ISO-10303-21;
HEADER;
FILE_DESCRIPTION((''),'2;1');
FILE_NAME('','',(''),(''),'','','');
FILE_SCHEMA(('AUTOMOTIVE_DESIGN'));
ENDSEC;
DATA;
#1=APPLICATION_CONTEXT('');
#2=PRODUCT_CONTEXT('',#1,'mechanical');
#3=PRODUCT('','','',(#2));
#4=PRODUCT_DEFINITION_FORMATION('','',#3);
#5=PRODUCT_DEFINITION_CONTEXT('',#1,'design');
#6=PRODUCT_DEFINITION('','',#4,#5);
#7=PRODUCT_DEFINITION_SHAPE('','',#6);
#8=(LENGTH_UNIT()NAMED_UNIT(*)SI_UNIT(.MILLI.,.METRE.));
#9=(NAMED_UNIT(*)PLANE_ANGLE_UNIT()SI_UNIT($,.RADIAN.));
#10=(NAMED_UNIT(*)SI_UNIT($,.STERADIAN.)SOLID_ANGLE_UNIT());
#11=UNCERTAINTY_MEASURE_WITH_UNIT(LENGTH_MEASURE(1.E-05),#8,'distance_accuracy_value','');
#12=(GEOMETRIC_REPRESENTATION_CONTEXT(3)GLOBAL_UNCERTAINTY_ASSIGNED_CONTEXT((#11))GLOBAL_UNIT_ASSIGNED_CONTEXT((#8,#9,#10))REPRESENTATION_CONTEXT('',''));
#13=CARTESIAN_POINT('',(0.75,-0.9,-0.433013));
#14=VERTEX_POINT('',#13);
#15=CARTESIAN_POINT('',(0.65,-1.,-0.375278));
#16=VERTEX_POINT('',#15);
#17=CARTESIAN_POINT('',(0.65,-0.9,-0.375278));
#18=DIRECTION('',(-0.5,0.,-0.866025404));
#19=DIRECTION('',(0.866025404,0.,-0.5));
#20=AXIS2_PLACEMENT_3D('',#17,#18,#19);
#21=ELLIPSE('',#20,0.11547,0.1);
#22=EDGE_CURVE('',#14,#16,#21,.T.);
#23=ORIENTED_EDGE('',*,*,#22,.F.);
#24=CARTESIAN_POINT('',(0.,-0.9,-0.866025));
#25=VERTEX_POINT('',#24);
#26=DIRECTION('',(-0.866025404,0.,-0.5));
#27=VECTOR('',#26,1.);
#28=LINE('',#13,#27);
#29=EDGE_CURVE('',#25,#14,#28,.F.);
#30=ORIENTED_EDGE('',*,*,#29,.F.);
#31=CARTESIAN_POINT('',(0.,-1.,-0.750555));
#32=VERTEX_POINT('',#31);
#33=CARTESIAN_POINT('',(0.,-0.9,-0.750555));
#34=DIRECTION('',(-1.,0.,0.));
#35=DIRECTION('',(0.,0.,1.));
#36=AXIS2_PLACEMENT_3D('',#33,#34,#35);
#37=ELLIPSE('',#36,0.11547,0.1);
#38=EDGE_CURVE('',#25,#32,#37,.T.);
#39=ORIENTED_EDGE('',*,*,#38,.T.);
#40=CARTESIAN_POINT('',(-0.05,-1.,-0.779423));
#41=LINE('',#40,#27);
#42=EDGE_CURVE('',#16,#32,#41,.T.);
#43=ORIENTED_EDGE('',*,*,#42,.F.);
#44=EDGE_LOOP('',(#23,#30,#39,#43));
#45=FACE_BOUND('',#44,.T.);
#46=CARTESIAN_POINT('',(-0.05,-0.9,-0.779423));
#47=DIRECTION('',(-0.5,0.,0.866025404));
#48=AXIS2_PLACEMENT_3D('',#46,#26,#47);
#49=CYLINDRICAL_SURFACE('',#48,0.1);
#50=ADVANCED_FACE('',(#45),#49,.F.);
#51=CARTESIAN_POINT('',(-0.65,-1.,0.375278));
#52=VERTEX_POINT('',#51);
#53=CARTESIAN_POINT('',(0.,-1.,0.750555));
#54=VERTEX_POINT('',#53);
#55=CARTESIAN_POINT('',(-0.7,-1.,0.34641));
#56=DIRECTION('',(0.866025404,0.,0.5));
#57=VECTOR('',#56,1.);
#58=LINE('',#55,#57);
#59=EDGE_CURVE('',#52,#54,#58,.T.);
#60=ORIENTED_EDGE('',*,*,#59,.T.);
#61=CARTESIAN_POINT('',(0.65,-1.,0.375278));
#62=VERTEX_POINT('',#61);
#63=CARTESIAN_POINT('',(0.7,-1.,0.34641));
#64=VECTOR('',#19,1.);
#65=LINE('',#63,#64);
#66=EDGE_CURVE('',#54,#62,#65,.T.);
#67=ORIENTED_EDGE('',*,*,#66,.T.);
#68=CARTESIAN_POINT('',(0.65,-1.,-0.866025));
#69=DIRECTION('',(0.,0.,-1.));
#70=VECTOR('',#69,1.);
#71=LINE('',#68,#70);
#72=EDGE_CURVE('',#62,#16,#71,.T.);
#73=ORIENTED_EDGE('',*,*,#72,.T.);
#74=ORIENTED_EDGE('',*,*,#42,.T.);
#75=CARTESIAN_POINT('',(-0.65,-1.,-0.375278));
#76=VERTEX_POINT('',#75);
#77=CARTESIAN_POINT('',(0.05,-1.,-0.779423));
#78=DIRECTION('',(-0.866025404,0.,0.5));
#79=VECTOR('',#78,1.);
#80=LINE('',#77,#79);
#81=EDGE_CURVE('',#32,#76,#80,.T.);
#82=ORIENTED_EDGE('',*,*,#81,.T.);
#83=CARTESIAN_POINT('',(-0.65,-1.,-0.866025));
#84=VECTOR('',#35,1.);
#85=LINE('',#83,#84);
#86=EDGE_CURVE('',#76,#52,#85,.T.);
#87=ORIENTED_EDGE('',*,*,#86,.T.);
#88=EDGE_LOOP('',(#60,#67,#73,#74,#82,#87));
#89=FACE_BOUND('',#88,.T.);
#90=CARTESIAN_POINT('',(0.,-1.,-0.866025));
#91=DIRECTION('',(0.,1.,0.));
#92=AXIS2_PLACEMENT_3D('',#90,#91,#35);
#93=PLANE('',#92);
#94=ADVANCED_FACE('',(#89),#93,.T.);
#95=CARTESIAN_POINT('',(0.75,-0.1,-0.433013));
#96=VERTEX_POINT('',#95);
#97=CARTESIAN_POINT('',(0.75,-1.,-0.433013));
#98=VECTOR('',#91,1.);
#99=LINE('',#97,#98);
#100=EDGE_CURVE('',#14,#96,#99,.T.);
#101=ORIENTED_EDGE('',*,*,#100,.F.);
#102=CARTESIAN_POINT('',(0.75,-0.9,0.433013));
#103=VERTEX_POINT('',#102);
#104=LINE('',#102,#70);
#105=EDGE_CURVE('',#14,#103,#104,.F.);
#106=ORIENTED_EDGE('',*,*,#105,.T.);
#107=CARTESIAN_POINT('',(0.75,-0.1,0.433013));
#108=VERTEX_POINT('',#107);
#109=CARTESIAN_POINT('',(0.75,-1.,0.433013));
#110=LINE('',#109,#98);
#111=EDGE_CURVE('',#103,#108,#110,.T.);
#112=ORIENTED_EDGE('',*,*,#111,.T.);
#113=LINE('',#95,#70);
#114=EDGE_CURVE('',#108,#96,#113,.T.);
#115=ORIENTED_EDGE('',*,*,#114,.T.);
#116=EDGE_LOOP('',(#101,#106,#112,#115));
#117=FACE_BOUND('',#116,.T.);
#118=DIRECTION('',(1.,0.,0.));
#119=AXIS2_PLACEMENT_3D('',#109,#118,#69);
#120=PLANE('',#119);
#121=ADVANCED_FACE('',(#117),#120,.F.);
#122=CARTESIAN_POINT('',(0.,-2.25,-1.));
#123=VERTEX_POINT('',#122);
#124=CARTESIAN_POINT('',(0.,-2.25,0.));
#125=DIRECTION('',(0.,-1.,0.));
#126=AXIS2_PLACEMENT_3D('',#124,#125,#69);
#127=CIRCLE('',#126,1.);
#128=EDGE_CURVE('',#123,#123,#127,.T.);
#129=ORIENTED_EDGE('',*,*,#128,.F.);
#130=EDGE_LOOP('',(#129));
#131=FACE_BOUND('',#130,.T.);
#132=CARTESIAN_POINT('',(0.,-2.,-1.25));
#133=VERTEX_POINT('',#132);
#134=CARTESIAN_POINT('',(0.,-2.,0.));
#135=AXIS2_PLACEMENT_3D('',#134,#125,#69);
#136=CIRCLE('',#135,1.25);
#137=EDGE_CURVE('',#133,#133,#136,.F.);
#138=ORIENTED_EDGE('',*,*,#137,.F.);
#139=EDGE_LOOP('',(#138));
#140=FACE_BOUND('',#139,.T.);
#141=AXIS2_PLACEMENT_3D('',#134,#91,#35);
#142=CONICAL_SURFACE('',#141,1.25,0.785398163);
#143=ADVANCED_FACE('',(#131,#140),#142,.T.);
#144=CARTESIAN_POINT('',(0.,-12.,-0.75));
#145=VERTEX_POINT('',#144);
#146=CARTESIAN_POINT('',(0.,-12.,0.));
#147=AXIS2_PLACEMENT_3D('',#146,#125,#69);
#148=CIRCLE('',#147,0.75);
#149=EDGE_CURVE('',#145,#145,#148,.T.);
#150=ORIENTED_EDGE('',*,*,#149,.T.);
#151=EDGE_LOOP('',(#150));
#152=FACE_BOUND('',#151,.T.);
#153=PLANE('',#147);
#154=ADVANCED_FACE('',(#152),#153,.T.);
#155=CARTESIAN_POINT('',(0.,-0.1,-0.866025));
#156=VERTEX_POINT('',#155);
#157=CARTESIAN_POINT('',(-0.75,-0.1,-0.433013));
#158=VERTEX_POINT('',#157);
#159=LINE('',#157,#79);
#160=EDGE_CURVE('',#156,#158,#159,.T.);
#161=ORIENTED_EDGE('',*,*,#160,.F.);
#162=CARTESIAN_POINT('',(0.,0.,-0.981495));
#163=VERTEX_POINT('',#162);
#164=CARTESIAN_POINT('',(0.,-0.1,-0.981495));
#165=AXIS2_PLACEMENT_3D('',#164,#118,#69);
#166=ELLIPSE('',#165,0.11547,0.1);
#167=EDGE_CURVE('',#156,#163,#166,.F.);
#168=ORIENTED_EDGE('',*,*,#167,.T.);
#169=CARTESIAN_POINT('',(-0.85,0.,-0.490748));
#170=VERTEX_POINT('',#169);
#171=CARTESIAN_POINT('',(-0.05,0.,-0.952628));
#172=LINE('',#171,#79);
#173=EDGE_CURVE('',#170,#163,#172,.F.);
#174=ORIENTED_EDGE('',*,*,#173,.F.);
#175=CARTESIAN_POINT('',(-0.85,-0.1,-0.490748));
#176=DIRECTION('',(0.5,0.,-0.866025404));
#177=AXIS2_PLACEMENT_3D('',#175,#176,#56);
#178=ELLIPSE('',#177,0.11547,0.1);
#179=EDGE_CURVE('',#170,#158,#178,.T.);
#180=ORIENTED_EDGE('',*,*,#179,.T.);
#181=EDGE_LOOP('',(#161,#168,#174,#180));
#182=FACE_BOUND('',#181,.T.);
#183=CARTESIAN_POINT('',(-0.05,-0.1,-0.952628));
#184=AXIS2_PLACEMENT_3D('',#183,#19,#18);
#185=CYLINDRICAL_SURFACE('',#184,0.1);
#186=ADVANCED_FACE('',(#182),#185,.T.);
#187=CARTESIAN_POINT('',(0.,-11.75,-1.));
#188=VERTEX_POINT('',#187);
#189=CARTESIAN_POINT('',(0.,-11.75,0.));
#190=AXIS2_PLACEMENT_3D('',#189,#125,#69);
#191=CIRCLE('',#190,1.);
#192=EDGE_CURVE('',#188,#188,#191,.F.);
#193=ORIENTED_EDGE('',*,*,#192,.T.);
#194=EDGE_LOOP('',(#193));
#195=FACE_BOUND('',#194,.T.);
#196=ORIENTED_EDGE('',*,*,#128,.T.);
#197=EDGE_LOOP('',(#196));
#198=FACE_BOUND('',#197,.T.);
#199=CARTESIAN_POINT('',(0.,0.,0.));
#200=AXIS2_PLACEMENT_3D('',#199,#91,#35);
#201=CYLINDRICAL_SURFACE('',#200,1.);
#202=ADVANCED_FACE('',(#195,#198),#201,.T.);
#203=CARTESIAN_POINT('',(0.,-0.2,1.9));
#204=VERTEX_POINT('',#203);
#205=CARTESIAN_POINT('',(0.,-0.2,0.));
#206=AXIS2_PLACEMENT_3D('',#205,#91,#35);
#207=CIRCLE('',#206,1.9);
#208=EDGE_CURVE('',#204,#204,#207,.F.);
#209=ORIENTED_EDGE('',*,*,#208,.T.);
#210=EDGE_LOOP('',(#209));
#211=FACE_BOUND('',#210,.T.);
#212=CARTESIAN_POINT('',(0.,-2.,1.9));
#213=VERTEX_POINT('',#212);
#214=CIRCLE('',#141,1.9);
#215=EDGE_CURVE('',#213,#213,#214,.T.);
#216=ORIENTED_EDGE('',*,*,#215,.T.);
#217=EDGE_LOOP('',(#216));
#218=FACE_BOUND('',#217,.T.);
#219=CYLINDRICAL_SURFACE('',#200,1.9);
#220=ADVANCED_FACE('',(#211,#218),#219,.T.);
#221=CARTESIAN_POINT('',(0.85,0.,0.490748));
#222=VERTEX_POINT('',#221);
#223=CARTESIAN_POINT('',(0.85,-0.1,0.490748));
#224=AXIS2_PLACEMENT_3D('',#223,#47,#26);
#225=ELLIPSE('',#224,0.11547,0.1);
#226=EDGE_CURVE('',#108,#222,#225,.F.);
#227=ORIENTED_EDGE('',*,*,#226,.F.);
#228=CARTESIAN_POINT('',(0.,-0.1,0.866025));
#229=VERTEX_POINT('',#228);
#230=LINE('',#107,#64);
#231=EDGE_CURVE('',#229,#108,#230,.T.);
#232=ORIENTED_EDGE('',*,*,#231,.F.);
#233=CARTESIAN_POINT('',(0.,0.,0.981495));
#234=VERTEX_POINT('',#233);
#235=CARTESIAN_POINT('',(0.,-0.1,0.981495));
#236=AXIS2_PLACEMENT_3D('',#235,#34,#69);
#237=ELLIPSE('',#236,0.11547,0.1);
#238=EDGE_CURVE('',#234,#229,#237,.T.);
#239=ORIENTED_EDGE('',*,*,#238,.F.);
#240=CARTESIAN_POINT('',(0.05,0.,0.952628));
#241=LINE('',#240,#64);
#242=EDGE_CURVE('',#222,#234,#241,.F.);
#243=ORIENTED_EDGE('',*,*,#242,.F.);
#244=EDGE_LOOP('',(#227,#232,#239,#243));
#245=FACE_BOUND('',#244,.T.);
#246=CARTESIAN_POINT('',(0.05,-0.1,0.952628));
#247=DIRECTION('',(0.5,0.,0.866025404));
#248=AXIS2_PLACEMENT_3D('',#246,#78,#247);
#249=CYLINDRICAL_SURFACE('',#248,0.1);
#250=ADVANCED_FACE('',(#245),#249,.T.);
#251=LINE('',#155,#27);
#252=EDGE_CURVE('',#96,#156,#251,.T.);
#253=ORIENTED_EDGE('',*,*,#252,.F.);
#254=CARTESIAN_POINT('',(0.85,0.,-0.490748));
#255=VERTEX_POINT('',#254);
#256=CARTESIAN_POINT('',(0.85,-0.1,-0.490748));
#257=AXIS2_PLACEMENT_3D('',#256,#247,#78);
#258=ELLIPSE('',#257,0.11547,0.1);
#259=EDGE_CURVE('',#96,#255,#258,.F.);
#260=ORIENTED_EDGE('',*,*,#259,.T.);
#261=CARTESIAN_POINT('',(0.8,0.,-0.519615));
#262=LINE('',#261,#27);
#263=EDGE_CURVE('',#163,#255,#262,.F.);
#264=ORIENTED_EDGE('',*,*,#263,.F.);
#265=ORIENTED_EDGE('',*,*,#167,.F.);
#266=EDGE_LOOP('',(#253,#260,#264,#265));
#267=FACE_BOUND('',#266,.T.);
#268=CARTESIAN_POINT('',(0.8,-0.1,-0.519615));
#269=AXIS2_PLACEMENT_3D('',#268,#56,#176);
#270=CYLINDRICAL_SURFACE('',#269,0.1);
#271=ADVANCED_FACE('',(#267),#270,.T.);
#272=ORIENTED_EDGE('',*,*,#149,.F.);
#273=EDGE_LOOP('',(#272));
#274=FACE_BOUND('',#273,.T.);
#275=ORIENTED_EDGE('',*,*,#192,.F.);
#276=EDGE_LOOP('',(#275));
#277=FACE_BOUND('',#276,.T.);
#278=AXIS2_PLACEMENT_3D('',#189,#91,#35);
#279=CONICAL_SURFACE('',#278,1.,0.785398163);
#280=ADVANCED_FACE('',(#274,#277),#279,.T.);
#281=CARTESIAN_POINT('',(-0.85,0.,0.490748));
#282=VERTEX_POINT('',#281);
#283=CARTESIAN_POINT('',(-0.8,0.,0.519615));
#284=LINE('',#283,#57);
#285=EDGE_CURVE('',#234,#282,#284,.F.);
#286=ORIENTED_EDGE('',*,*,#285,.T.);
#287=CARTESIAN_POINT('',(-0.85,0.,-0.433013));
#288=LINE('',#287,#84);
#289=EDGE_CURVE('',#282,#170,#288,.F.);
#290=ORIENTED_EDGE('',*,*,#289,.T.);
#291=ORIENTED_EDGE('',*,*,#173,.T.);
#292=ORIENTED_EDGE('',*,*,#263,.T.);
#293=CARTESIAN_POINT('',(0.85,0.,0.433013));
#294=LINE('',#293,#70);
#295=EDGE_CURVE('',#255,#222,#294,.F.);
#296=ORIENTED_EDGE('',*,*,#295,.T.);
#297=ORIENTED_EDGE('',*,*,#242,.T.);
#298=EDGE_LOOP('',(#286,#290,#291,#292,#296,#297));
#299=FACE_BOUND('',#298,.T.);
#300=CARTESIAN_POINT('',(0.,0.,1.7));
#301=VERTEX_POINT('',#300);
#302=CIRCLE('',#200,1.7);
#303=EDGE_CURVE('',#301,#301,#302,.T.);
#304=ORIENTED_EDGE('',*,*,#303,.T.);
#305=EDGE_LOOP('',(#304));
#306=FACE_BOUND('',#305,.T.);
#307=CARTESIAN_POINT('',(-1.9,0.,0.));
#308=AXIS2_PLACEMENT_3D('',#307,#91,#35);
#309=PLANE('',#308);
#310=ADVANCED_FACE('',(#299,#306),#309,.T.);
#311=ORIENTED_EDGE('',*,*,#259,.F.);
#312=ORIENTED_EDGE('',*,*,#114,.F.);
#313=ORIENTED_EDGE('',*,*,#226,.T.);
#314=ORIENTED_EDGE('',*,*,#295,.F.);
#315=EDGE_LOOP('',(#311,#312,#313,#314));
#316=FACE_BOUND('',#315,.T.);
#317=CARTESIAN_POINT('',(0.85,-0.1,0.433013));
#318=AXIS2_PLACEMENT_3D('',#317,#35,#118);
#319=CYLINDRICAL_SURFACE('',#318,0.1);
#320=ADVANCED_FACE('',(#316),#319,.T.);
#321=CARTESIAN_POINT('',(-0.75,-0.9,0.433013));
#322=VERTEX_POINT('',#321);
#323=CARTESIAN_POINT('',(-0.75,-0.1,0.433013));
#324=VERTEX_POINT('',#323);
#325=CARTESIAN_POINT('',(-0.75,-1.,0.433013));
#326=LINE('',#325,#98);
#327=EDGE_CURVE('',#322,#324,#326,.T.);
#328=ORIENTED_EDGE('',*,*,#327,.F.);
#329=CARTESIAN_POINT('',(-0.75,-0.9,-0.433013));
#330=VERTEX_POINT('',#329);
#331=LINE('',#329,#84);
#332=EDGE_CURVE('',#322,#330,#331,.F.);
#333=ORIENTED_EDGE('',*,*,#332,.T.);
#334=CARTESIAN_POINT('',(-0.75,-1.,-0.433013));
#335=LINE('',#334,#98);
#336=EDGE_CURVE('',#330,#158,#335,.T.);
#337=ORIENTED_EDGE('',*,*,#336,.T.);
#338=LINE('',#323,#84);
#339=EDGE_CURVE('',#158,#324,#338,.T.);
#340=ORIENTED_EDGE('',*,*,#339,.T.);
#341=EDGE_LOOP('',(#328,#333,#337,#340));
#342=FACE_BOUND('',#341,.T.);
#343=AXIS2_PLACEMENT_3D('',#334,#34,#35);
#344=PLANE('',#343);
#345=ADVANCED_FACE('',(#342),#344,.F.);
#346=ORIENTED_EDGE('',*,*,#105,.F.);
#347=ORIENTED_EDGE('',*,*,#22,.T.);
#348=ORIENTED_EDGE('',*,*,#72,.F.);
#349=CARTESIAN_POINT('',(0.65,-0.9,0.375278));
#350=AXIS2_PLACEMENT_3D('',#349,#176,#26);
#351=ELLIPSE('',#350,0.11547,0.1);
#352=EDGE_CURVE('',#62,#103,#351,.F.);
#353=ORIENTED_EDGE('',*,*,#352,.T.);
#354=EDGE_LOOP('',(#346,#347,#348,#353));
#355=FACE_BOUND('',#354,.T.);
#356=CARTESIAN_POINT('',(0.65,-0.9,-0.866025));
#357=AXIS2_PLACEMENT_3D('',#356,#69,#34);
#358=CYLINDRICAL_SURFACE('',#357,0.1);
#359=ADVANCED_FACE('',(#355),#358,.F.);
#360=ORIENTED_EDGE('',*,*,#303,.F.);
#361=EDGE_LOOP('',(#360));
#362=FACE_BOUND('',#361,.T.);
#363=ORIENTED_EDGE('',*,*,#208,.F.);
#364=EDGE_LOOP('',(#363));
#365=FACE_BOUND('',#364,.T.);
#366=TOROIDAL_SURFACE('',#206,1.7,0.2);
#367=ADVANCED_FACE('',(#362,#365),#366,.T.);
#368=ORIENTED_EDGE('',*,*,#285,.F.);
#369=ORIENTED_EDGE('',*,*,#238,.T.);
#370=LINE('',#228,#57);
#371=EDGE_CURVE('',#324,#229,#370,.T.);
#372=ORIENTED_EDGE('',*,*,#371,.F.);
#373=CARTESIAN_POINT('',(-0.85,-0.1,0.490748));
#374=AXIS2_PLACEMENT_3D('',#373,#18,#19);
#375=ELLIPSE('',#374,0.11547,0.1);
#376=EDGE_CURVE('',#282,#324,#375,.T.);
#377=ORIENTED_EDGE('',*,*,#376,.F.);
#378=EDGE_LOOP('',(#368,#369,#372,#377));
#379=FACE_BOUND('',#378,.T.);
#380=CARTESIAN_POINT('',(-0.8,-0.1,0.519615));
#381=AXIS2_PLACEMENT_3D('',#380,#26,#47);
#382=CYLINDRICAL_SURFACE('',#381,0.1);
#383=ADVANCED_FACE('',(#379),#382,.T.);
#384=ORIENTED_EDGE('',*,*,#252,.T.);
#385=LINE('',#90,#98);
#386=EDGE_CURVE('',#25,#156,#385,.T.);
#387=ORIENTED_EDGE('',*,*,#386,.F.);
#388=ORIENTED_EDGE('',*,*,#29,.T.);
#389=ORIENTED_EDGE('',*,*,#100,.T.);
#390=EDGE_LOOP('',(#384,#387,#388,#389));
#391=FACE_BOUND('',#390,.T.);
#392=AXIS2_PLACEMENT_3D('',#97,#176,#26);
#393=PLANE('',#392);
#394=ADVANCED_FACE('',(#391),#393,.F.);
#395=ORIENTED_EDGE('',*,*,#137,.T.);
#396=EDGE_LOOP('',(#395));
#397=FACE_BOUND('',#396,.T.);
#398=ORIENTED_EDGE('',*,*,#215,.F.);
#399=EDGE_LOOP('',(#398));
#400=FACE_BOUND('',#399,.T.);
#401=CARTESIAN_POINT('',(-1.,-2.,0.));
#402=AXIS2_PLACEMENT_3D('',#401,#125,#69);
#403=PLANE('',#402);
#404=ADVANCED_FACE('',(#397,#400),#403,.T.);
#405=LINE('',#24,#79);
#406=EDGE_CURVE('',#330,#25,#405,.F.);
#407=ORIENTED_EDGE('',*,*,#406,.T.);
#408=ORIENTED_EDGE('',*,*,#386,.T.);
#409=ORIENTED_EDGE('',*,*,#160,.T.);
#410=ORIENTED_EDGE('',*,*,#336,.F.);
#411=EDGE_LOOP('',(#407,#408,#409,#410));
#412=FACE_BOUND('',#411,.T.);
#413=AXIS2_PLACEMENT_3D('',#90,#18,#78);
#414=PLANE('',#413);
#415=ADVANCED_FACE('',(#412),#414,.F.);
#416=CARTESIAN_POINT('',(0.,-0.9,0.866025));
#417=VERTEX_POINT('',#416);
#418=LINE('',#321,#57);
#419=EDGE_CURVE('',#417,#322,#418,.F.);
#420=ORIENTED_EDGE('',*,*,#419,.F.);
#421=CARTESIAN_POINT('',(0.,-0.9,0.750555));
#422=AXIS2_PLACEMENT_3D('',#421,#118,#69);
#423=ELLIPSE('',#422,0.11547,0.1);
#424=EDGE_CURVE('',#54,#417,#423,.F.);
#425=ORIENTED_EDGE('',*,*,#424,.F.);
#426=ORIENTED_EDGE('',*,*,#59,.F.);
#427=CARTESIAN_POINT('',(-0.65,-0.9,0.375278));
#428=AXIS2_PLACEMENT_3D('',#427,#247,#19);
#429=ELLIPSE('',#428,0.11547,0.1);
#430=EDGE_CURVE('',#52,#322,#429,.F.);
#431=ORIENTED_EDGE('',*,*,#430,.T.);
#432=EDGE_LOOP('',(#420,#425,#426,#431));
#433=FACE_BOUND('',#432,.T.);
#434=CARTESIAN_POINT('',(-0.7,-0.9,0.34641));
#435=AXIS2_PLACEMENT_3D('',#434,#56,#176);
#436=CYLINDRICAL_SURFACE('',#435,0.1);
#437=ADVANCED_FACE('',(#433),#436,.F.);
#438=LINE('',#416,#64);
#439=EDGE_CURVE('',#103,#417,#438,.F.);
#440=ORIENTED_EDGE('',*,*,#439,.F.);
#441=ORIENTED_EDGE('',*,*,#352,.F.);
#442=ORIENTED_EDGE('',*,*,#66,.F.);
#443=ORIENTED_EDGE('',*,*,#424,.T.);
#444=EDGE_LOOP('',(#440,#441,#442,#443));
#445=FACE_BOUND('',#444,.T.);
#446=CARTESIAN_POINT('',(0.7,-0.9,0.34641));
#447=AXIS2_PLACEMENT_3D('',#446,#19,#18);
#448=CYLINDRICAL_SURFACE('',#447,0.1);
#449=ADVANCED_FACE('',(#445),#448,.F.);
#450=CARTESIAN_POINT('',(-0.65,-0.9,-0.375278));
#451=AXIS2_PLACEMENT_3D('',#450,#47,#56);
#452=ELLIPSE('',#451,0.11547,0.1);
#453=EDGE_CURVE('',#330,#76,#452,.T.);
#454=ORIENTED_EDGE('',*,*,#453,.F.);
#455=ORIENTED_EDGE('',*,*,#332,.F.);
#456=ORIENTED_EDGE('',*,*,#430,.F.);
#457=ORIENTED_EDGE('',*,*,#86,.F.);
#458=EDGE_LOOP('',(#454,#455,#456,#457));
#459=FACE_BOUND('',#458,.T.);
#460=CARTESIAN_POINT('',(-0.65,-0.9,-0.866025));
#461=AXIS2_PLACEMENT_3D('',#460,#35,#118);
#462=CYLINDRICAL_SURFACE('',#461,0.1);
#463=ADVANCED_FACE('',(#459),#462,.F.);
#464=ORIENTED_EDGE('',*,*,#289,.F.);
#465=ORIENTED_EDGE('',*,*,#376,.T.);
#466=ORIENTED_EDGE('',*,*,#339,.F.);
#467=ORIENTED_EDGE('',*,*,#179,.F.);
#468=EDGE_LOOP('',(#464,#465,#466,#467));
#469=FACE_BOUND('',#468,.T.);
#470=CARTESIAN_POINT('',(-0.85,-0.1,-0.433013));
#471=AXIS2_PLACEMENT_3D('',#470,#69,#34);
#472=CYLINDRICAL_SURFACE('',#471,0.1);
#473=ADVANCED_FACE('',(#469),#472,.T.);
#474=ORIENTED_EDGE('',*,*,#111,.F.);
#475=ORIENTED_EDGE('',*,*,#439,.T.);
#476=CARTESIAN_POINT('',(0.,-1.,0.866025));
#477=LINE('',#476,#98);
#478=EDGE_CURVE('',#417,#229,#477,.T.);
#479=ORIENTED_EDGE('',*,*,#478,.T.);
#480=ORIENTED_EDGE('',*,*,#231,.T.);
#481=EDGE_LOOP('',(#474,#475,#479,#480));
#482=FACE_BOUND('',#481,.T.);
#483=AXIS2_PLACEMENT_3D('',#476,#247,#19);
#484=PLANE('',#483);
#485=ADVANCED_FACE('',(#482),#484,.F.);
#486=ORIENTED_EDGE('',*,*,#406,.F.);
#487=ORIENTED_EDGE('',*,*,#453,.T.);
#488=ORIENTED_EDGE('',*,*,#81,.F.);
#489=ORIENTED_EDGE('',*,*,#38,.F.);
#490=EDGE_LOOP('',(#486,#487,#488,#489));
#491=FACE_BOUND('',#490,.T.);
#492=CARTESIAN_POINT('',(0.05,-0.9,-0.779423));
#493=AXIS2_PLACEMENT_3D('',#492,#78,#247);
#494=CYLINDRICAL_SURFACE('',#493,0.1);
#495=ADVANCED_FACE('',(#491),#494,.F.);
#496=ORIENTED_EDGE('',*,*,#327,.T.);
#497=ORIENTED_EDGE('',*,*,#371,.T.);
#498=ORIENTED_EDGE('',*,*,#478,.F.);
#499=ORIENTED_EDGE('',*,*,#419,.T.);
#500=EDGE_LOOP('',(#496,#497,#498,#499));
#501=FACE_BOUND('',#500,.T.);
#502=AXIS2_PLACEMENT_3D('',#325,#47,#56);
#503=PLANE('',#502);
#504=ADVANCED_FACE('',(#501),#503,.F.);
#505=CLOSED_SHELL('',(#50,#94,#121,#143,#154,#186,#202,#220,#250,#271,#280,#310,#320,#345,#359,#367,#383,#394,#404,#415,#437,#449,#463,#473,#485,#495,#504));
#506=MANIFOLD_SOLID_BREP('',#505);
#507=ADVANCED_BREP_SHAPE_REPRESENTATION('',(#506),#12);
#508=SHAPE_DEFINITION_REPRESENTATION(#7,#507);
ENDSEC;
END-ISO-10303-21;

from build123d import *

# Parameters (mm, degrees)
CHAMFER1_SIZE      = 0.25
FILLET1_R          = 0.2
CUT_EXTRUDE1_DEPTH = 1
FILLET2_R          = 0.1


with BuildPart() as part:
    # Sketch1 → Revolve1 (revolve)
    with BuildSketch(Plane.XY, mode=Mode.PRIVATE) as revolve1_sk:
        Polygon((0, -12), (-1, -12), (-1, -2), (-1.9, -2), (-1.9, 0), (0, 0), align=None)
    revolve(revolve1_sk.sketch.rotate(Axis((0, 0, 0), (0, -1, 0)), 270), axis=Axis((0, 0, 0), (0, -1, 0)))

    # Chamfer1
    chamfer1_edges = [part.edges().sort_by_distance(p)[0] for p in [
        (0, -2, -1),
        (0, -12, -1),
    ]]
    chamfer(chamfer1_edges, length=CHAMFER1_SIZE)

    # Fillet1
    fillet1_edges = [part.edges().sort_by_distance(p)[0] for p in [
        (0, 0, -1.9),
    ]]
    fillet(fillet1_edges, radius=FILLET1_R)

    # Sketch2 → Cut-Extrude1 (cut)
    with BuildSketch(Plane(origin=(0, 0, 0), x_dir=(1, 0, 0), z_dir=(0, 1, 0))):
        Polygon((0, 0.866025404), (-0.75, 0.433012702), (-0.75, -0.433012702), (0, -0.866025404), (0.75, -0.433012702), (0.75, 0.433012702), align=None)
    extrude(amount=-CUT_EXTRUDE1_DEPTH, mode=Mode.SUBTRACT)

    # Fillet2
    fillet2_edges = [part.edges().sort_by_distance(p)[0] for p in [
        (0.375, -1, -0.649519053),
        (0.75, -1, 0),
        (0.375, -1, 0.649519053),
        (-0.375, -1, 0.649519053),
        (-0.75, -1, 0),
        (-0.375, -1, -0.649519053),
        (0.375, 0, -0.649519053),
        (-0.375, 0, -0.649519053),
        (-0.75, 0, 0),
        (-0.375, 0, 0.649519053),
        (0.375, 0, 0.649519053),
        (0.75, 0, 0),
    ]]
    fillet(fillet2_edges, radius=FILLET2_R)


solid = part.part
